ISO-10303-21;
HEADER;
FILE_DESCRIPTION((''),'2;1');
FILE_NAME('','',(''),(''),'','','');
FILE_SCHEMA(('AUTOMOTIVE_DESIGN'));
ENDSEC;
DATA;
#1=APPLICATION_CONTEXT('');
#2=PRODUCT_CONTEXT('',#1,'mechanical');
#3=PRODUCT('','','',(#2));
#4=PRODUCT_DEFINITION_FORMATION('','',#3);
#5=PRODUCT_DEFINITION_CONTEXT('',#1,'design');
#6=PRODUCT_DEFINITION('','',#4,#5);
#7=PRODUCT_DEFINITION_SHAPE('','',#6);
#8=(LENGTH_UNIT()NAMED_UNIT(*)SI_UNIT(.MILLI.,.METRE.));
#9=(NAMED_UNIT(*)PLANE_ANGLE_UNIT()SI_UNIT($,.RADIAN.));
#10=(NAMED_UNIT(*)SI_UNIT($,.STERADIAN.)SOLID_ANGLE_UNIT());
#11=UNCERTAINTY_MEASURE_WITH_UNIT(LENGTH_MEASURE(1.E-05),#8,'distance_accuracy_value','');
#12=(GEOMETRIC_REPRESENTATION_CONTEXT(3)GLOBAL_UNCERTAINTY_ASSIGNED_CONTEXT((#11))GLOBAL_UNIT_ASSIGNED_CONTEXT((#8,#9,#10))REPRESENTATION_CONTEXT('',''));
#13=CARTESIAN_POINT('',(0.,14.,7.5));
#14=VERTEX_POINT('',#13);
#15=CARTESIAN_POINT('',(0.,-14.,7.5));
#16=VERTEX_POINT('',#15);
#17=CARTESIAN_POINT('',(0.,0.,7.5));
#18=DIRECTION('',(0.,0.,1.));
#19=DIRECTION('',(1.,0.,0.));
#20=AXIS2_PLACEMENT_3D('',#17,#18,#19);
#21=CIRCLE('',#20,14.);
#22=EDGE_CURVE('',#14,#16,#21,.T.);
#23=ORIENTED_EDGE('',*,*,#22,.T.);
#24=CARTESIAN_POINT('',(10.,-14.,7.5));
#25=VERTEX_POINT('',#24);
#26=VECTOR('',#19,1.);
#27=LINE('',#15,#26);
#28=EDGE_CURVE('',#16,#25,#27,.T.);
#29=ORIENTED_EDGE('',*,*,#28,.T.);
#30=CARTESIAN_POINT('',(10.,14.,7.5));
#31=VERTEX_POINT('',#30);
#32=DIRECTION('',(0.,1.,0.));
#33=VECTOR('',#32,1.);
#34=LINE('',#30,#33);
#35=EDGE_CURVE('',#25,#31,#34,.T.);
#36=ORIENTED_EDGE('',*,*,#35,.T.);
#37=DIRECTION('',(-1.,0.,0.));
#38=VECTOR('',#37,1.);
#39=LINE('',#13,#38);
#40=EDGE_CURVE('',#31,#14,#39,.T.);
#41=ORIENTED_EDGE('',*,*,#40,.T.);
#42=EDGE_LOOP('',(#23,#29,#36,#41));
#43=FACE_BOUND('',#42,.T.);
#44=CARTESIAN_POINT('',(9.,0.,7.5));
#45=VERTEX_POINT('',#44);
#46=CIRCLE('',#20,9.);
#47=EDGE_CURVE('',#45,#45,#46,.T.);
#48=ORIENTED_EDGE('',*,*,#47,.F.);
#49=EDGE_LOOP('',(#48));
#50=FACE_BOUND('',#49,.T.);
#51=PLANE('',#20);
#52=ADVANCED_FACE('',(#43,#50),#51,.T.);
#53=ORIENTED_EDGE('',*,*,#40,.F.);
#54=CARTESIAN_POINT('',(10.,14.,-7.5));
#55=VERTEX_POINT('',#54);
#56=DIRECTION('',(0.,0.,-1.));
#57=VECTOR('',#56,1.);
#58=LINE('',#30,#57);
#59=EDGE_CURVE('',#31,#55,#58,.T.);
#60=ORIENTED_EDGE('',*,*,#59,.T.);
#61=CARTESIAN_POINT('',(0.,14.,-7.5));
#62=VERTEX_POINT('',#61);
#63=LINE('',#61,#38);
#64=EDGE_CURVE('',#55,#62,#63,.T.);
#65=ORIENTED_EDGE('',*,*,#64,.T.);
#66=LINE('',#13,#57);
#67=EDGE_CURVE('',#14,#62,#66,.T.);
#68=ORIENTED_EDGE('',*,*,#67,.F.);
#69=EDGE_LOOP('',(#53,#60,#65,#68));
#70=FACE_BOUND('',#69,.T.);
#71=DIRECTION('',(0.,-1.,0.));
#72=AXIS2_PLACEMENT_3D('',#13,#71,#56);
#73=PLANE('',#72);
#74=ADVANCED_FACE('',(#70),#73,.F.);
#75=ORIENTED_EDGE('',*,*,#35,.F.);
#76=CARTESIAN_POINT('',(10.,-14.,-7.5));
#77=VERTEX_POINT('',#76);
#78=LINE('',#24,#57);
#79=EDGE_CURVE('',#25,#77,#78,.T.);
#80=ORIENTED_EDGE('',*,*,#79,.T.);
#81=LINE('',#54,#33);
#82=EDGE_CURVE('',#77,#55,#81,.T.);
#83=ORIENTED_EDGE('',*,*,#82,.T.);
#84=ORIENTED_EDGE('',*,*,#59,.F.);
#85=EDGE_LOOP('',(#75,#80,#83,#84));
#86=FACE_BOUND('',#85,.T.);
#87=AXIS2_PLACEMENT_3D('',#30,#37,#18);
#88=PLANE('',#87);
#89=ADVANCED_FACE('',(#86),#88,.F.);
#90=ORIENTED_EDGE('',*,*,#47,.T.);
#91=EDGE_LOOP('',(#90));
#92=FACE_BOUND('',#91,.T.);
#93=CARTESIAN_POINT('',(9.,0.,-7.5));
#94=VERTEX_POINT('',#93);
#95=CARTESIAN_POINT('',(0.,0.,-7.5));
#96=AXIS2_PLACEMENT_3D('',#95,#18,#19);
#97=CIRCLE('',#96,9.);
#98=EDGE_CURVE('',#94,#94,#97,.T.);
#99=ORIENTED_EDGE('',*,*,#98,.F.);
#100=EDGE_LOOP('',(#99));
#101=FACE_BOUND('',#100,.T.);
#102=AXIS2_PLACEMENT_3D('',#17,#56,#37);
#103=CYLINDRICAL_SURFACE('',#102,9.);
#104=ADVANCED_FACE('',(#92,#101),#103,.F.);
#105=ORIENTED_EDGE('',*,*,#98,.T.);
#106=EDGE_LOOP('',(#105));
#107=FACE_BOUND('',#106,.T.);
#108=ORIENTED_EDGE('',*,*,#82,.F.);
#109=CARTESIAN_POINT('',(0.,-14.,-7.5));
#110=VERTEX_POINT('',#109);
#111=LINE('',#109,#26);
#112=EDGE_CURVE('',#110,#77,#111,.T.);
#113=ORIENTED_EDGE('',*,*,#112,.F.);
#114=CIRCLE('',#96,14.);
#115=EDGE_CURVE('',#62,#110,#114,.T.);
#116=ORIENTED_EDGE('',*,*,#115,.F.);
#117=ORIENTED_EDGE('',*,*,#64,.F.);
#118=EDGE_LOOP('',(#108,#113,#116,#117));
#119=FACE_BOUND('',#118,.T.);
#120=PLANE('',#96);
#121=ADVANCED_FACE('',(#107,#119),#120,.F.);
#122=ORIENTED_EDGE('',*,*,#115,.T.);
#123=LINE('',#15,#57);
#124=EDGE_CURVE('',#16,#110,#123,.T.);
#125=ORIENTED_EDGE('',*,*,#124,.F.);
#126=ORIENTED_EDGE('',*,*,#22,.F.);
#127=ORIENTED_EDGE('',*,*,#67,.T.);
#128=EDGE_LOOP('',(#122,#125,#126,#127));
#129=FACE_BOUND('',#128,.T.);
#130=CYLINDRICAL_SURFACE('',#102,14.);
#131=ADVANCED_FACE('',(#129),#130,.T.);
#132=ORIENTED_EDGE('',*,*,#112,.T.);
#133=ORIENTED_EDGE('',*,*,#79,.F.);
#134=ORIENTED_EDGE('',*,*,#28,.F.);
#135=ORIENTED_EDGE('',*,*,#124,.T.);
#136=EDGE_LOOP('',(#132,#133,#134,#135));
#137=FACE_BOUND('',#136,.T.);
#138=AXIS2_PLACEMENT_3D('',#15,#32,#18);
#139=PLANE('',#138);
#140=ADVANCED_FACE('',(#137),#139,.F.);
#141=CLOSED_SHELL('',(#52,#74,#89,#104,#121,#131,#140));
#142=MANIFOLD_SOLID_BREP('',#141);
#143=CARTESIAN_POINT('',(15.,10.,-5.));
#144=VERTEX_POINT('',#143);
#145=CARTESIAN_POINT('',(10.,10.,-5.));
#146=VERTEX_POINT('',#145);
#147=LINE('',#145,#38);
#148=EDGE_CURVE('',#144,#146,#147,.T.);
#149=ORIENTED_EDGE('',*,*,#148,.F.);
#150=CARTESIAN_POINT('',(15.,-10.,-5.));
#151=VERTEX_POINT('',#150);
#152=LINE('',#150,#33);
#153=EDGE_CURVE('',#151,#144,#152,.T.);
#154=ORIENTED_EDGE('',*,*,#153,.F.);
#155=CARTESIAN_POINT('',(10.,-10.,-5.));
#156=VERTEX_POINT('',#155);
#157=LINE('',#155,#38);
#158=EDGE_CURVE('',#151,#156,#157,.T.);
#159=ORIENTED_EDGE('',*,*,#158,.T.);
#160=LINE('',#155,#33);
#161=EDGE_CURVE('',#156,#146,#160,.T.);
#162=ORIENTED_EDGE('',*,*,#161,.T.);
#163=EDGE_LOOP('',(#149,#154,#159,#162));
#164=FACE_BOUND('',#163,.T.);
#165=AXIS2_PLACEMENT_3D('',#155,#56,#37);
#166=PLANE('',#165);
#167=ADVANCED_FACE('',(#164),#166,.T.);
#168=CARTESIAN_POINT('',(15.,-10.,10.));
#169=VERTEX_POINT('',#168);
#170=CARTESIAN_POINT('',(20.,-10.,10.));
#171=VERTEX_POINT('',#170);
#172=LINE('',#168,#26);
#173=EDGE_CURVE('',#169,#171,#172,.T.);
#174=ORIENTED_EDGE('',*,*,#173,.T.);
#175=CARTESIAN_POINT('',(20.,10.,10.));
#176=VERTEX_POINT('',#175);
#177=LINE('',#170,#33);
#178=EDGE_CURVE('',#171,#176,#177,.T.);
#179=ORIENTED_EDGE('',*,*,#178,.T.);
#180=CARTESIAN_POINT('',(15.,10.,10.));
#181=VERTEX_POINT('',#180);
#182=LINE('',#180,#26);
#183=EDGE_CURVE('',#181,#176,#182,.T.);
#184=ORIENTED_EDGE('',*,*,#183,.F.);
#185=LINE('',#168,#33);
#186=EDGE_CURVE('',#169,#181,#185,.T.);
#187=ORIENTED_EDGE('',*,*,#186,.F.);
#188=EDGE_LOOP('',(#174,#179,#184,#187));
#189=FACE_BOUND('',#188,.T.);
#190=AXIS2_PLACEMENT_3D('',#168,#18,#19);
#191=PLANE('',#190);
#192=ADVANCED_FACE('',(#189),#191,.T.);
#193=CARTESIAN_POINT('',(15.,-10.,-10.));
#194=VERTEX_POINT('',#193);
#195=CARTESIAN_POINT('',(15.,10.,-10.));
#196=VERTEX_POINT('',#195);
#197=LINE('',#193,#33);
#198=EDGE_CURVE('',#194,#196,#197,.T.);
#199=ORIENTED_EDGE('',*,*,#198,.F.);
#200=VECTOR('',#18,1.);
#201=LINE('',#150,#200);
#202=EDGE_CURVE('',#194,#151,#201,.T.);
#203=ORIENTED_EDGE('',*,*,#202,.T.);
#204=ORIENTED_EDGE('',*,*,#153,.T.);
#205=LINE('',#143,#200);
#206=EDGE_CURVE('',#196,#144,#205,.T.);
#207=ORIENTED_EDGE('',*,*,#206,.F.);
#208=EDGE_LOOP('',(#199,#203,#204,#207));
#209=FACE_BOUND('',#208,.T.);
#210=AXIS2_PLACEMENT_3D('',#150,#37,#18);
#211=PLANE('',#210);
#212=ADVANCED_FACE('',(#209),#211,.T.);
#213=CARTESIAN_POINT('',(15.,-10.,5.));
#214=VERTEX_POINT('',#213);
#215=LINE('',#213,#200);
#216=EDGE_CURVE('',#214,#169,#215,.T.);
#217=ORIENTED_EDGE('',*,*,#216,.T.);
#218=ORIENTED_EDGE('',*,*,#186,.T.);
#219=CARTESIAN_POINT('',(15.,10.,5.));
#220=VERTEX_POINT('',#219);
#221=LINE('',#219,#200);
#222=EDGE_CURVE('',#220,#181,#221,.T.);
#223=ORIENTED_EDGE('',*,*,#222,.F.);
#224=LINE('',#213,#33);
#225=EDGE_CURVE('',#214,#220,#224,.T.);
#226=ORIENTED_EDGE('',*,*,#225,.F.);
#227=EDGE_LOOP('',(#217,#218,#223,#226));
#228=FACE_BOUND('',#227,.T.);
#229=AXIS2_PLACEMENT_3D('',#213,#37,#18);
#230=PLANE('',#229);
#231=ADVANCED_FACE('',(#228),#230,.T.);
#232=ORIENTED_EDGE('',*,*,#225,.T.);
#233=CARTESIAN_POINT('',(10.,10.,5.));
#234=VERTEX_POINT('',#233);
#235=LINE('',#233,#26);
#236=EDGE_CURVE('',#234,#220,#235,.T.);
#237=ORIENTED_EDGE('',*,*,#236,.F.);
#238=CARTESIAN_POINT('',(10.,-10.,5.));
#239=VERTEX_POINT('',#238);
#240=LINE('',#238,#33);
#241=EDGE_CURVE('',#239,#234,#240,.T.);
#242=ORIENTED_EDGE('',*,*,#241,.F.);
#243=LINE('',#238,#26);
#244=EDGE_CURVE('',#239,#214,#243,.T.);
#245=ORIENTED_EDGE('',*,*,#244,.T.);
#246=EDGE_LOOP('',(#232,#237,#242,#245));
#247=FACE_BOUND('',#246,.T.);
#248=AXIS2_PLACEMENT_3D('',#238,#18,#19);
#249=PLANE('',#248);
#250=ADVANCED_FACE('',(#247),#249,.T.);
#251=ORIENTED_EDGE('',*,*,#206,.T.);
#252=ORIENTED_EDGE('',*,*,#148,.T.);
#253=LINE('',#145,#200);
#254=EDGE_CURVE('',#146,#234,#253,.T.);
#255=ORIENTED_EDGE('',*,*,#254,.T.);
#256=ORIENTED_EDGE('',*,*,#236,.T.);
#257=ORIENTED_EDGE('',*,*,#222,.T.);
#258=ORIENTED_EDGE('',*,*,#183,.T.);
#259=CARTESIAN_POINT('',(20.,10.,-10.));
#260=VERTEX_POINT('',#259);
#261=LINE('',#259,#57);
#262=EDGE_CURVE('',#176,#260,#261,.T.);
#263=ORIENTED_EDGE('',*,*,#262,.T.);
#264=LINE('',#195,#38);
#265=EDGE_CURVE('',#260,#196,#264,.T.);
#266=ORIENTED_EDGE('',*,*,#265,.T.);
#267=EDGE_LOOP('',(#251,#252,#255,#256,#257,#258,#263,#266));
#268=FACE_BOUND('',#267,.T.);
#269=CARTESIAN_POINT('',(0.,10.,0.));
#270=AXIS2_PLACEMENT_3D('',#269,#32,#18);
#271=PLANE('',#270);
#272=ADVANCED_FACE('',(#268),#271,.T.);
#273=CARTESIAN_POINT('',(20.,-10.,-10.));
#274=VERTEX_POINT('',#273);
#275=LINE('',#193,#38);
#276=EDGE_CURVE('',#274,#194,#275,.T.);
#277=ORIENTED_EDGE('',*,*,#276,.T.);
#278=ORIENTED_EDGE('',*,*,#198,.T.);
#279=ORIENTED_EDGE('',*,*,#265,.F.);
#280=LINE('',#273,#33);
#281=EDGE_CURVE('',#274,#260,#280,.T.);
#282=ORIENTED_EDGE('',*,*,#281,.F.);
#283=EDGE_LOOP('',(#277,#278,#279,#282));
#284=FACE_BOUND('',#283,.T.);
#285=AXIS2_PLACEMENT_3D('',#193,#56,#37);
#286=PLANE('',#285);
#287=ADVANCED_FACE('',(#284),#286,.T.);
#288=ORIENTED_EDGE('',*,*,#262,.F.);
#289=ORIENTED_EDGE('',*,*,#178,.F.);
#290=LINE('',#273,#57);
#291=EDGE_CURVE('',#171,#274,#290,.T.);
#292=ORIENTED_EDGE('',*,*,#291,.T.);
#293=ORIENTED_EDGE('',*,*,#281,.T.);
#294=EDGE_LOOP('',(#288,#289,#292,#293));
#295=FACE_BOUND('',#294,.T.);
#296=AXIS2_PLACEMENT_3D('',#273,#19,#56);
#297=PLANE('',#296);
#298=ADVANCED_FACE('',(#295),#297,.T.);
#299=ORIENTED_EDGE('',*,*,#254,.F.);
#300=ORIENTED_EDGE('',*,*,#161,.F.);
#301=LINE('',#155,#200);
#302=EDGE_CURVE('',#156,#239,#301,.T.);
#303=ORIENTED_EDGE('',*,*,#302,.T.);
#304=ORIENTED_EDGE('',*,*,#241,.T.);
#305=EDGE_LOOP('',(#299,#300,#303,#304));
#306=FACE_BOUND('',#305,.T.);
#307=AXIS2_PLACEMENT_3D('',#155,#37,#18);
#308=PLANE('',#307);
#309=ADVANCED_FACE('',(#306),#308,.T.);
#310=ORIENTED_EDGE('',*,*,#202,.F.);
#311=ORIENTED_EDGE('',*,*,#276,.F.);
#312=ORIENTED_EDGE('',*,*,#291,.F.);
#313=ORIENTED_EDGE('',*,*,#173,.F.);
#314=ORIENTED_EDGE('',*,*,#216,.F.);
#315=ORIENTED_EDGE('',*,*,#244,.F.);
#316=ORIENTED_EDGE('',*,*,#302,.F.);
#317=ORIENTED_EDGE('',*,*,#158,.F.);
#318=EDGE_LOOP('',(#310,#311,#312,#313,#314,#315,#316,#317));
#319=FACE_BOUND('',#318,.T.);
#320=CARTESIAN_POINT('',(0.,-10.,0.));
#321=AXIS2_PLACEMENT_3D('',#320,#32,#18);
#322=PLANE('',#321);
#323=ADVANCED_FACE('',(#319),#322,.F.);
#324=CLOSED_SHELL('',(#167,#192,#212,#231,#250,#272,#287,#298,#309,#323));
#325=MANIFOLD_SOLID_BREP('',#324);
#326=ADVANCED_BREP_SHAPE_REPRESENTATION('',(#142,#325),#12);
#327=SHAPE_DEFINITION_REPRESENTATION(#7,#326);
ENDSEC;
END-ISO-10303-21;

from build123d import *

# Parameters (mm, degrees)
ESQUISSE1_R        = 9
BOSS_EXTRU_1_DEPTH = 7.5
BOSS_EXTRU_2_START = -4
BOSS_EXTRU_2_DEPTH = 20


with BuildPart() as part:
    # Esquisse1 → Boss.-Extru.1 (new body, symmetric)
    with BuildSketch(Plane.XY):
        with BuildLine():
            Line((0, 14), (10, 14))
            Line((10, 14), (10, -14))
            Line((10, -14), (0, -14))
            ThreePointArc((0, -14), (-14, 0), (0, 14))
        make_face()
        Circle(ESQUISSE1_R, mode=Mode.SUBTRACT)
    extrude(amount=BOSS_EXTRU_1_DEPTH, both=True)


with BuildPart() as body_2:
    # Esquisse2 → Boss.-Extru.2 (new body)
    with BuildSketch(Plane(origin=(0, 14, 0), x_dir=(1, 0, 0), z_dir=(0, 1, 0)).offset(BOSS_EXTRU_2_START)):
        Polygon((10, 5), (15, 5), (15, 10), (20, 10), (20, -10), (15, -10), (15, -5), (10, -5), align=None)
    extrude(amount=-BOSS_EXTRU_2_DEPTH)


solid = Compound([part.part, body_2.part])
